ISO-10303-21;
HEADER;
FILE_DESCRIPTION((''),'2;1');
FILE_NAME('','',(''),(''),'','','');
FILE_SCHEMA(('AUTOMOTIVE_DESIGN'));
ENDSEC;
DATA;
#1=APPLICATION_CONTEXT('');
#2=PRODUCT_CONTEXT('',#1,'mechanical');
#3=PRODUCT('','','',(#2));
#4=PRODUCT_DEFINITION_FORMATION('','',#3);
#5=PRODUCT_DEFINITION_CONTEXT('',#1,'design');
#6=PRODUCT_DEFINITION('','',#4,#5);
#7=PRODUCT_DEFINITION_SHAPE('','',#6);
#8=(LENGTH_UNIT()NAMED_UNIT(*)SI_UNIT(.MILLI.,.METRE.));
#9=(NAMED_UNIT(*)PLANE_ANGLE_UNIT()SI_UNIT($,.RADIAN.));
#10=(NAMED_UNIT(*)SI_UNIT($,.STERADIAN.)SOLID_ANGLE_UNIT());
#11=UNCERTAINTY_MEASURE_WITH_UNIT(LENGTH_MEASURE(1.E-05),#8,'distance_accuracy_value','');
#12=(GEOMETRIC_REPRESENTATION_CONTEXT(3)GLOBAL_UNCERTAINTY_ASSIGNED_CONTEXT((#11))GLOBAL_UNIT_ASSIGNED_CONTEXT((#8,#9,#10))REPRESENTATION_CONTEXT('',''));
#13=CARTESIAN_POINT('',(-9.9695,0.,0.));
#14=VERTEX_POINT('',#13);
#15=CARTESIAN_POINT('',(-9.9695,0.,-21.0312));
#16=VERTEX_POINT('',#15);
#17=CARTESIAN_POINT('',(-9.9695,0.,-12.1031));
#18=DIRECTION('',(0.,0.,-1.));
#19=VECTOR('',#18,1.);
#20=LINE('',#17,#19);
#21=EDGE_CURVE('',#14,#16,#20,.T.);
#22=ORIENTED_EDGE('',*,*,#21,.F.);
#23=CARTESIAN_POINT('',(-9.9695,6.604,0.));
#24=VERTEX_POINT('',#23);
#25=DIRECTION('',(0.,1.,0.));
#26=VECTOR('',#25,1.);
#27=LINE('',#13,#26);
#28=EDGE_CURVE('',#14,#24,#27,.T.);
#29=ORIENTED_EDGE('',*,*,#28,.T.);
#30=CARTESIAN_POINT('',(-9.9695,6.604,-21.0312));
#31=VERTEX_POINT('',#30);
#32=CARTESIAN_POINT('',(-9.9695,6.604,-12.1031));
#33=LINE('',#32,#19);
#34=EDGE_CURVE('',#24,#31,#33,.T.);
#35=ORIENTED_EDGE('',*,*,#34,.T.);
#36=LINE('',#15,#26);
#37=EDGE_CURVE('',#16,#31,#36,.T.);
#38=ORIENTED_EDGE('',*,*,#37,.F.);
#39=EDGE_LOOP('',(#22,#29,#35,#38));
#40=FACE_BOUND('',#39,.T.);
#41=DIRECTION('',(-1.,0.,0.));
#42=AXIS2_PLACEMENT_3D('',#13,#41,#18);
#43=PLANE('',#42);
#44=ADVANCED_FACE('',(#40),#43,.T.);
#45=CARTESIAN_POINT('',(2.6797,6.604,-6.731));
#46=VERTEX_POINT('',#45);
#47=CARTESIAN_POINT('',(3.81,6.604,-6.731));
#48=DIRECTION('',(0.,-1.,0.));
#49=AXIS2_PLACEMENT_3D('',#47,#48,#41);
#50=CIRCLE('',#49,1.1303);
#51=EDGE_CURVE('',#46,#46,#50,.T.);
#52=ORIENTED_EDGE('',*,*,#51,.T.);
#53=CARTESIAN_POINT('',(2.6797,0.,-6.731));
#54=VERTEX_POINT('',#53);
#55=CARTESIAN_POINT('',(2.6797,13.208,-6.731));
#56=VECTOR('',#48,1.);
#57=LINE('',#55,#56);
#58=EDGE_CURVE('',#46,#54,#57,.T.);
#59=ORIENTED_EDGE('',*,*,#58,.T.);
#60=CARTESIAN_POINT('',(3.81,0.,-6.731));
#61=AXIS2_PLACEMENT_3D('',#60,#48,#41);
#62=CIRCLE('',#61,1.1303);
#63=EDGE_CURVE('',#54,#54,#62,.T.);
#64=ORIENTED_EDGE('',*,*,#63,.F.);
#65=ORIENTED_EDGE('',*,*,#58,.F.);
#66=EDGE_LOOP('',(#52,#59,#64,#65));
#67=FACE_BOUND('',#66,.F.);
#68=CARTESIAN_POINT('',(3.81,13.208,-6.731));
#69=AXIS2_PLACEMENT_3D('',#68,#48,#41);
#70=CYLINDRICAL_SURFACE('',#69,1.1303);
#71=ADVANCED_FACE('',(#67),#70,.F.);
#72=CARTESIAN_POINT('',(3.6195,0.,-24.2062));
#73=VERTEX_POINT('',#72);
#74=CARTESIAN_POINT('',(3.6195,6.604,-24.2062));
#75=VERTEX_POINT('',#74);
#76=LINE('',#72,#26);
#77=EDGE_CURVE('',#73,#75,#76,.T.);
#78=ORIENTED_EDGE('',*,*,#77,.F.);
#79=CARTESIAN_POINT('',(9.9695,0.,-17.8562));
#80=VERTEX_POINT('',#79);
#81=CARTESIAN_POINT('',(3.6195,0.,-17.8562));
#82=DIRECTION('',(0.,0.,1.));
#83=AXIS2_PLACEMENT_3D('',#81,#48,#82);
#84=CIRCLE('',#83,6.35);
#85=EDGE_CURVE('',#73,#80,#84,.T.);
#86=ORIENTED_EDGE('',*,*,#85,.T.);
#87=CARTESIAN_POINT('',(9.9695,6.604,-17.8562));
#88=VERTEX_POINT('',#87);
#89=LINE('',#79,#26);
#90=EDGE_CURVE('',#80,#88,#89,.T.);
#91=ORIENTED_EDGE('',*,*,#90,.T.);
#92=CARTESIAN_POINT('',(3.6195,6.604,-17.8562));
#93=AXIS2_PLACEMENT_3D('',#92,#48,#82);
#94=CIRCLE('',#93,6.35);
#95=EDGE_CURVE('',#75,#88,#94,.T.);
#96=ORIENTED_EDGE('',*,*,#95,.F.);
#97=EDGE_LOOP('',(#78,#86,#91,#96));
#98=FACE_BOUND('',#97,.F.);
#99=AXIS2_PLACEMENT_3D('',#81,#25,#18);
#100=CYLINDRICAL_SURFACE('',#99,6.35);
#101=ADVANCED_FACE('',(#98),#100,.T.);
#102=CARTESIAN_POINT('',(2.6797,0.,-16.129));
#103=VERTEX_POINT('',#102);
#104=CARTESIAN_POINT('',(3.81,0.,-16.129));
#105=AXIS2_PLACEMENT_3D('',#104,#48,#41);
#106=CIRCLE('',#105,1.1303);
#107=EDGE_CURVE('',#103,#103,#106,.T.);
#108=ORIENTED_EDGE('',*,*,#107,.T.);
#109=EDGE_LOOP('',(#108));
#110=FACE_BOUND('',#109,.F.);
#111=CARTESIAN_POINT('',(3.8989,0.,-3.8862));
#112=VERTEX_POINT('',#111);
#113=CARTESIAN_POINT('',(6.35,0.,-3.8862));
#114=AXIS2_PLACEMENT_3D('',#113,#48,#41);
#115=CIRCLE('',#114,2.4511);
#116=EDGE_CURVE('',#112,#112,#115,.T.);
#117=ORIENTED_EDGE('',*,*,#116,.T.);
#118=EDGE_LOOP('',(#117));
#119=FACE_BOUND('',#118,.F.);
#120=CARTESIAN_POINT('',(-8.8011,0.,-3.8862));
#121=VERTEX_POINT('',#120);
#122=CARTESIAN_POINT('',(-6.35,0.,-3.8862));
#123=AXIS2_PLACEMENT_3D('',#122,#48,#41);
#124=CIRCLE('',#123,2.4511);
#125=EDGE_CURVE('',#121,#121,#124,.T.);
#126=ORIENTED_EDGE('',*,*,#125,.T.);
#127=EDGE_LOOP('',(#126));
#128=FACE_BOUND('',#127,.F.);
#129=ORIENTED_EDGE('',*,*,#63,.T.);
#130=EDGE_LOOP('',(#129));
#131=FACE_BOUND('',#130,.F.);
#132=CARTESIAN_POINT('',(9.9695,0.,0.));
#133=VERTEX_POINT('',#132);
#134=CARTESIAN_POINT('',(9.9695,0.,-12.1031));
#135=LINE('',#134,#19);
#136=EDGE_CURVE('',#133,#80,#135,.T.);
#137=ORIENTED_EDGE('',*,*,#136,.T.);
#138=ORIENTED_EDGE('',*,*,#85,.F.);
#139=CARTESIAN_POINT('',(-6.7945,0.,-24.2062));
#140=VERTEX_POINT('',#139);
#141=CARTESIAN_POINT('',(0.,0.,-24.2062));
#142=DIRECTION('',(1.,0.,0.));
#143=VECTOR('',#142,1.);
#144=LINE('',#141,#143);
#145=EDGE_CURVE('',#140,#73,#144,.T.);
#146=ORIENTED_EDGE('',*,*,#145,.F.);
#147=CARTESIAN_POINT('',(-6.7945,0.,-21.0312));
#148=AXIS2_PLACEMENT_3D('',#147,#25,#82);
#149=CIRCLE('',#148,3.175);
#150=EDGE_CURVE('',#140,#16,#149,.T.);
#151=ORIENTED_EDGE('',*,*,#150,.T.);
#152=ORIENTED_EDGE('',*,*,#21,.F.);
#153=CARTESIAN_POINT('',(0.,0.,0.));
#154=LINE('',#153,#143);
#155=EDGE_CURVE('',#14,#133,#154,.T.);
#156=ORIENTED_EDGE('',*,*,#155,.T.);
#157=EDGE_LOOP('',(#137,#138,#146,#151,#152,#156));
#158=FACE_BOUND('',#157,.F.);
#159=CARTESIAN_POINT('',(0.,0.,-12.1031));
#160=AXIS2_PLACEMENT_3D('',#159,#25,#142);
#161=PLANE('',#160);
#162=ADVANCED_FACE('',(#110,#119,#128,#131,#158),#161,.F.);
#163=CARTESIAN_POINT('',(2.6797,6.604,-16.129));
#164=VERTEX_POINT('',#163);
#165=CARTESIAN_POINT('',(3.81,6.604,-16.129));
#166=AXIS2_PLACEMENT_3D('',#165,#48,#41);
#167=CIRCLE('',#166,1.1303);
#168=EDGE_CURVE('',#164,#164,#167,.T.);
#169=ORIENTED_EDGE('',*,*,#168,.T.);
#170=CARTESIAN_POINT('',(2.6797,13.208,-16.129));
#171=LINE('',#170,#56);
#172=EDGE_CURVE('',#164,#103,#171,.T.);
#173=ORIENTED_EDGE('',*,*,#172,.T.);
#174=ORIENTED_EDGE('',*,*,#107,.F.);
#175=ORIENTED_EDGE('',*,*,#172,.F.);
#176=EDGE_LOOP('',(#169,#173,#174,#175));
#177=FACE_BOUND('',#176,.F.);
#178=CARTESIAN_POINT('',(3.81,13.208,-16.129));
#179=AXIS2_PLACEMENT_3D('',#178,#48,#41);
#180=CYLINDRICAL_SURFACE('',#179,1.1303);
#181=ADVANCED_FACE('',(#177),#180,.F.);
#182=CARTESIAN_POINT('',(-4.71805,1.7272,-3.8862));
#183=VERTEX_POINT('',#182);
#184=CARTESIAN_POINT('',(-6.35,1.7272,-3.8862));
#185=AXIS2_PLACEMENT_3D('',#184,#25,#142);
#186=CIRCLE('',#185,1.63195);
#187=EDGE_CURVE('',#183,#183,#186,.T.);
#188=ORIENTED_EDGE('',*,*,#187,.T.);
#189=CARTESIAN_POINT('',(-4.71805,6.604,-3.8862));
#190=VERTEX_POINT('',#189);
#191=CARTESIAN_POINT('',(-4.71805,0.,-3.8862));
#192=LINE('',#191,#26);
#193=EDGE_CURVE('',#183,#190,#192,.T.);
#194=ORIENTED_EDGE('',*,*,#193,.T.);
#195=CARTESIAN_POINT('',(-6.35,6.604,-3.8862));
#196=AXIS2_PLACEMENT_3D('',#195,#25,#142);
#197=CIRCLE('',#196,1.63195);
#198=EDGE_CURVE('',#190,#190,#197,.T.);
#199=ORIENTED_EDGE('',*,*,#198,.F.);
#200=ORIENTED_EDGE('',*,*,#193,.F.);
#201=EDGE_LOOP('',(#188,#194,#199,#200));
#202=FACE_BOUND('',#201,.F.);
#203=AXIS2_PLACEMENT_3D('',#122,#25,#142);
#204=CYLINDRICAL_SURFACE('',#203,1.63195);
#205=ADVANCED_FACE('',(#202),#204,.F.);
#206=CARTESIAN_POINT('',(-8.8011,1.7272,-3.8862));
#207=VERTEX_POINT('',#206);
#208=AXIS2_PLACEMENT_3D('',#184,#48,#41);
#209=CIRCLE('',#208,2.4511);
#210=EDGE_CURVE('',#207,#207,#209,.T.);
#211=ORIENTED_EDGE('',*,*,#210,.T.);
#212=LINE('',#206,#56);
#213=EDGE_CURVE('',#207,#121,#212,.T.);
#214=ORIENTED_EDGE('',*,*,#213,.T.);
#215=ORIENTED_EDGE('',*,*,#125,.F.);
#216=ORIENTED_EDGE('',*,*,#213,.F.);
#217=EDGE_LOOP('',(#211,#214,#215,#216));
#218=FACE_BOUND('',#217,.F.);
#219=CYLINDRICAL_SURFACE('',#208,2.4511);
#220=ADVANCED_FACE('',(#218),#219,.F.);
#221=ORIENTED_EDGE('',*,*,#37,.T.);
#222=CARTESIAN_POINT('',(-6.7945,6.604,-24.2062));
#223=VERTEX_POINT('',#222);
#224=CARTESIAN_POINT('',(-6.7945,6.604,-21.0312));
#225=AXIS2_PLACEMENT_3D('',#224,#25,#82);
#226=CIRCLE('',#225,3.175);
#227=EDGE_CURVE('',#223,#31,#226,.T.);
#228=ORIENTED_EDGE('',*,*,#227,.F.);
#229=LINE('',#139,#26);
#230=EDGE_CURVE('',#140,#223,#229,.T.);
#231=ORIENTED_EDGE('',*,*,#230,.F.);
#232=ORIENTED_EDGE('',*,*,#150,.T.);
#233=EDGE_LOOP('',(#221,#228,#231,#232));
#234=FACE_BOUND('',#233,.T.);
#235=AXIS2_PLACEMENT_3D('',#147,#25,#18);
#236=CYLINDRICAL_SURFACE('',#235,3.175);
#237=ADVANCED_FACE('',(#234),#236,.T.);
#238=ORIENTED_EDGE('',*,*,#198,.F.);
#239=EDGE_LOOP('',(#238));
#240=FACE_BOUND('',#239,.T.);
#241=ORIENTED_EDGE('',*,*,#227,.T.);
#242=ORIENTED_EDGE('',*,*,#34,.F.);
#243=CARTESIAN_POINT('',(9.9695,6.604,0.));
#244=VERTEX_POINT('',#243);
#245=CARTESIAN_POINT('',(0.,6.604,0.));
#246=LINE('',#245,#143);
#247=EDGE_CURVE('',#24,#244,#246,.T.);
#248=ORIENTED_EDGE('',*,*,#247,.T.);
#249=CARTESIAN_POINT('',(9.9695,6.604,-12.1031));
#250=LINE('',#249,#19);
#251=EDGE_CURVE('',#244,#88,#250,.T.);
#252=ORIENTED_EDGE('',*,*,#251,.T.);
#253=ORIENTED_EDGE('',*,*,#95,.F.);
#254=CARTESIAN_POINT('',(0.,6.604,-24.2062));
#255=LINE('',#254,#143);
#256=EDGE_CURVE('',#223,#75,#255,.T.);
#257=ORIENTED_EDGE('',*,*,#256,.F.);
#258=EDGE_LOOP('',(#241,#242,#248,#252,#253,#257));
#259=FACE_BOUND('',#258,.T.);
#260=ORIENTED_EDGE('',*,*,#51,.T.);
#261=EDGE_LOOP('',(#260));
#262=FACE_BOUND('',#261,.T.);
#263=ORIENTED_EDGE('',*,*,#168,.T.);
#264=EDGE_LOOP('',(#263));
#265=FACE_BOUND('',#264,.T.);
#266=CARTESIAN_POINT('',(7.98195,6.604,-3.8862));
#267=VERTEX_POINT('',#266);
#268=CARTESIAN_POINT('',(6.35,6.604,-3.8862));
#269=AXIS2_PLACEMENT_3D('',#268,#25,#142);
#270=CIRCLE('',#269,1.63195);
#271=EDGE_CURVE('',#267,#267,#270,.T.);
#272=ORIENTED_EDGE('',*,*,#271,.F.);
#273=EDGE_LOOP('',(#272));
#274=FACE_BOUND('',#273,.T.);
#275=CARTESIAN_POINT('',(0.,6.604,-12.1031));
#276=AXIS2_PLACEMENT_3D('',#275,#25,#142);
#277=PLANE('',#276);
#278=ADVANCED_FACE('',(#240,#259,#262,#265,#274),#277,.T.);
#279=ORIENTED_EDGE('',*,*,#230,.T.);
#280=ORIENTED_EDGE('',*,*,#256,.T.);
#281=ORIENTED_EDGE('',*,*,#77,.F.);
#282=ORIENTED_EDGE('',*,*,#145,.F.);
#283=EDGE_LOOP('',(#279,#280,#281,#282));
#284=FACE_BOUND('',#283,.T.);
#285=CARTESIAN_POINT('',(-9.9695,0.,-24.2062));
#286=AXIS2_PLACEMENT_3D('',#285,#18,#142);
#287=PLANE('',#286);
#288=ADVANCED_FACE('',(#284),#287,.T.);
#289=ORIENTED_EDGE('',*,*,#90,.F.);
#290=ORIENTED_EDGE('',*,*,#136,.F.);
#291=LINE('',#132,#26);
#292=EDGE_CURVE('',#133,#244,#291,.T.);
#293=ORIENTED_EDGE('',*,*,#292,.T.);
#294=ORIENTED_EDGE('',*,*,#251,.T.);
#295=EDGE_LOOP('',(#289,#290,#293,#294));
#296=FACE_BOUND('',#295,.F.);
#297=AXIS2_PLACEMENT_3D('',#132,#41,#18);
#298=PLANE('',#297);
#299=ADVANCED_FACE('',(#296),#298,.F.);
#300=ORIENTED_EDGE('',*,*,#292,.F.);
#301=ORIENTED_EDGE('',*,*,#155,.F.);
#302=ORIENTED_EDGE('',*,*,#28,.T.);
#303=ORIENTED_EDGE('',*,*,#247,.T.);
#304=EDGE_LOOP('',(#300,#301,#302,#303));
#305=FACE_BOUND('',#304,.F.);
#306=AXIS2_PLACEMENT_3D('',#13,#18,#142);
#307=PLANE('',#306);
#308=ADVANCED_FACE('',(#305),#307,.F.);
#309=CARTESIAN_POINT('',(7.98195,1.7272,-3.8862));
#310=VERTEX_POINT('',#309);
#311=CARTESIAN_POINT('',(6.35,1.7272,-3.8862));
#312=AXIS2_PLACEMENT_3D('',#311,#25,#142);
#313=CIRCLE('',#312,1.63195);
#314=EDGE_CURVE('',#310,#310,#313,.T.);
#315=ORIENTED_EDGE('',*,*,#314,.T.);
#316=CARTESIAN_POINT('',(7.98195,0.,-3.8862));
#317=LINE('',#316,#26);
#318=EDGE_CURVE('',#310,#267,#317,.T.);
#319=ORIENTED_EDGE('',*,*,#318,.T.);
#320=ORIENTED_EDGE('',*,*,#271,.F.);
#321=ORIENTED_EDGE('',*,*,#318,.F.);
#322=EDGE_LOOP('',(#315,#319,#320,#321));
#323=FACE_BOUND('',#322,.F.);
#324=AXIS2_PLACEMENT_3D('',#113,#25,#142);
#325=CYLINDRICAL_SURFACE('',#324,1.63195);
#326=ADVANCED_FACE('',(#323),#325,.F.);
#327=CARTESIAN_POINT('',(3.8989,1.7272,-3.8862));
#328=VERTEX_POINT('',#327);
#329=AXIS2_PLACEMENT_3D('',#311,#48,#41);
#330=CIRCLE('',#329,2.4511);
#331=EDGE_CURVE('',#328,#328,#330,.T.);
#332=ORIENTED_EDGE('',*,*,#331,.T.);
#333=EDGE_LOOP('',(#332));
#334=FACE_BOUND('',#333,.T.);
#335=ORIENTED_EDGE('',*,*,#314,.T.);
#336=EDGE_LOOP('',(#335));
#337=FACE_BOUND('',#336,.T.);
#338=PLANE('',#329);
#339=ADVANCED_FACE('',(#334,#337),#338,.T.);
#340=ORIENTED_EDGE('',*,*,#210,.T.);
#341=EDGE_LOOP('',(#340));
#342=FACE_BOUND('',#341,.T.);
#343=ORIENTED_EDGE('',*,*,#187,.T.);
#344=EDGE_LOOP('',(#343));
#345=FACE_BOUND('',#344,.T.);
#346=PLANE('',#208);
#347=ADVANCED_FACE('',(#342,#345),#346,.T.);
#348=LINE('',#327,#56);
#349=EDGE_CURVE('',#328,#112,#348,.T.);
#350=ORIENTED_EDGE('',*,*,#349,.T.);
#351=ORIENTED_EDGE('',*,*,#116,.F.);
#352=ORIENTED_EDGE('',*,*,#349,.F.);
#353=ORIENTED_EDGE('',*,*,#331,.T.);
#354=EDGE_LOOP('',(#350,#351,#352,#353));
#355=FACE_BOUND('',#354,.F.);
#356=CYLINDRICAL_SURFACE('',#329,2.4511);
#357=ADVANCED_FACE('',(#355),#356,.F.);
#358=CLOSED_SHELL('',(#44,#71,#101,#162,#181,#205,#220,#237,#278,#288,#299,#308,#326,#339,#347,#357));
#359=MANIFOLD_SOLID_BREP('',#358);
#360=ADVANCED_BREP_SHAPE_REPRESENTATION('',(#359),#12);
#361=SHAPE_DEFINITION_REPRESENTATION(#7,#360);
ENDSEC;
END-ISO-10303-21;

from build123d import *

# Parameters (mm, degrees)
SKETCH1_W                                           = 19.939
SKETCH1_H                                           = 24.2062
BOSS_EXTRUDE1_DEPTH                                 = 6.604
F_4_40_TAPPED_HOLE1_D                               = 2.2606
F_4_40_TAPPED_HOLE1_DEPTH                           = 6.604
CBORE_FOR_4_BINDING_HEAD_MACHINE_SCREW3_D           = 3.2639
CBORE_FOR_4_BINDING_HEAD_MACHINE_SCREW3_CBORE_D     = 4.9022
CBORE_FOR_4_BINDING_HEAD_MACHINE_SCREW3_CBORE_DEPTH = 1.7272
FILLET1_R                                           = 6.35
FILLET2_R                                           = 3.175


with BuildPart() as part:
    # Sketch1 → Boss-Extrude1 (new body)
    with BuildSketch(Plane(origin=(0, 0, 0), x_dir=(1, 0, 0), z_dir=(0, 1, 0))):
        with Locations((0, 12.1031)):
            Rectangle(SKETCH1_W, SKETCH1_H)
    extrude(amount=BOSS_EXTRUDE1_DEPTH)

    # #4-40 Tapped Hole1
    with Locations(Plane(origin=(0, 6.604, 0), x_dir=(1, 0, 0), z_dir=(0, 1, 0))):
        with Locations((3.81, 16.129), (3.81, 6.731)):
            Hole(F_4_40_TAPPED_HOLE1_D / 2, depth=F_4_40_TAPPED_HOLE1_DEPTH)

    # CBORE for #4 Binding Head Machine Screw3 (through all)
    with Locations(Plane(origin=(0, 0, 0), x_dir=(-1, 0, 0), z_dir=(0, -1, 0))):
        with Locations((6.35, 3.8862), (-6.35, 3.8862)):
            CounterBoreHole(CBORE_FOR_4_BINDING_HEAD_MACHINE_SCREW3_D / 2, CBORE_FOR_4_BINDING_HEAD_MACHINE_SCREW3_CBORE_D / 2, CBORE_FOR_4_BINDING_HEAD_MACHINE_SCREW3_CBORE_DEPTH)

    # Fillet1
    fillet1_edges = [part.edges().sort_by_distance(p)[0] for p in [
        (9.9695, 3.302, -24.2062),
    ]]
    fillet(fillet1_edges, radius=FILLET1_R)

    # Fillet2
    fillet2_edges = [part.edges().sort_by_distance(p)[0] for p in [
        (-9.9695, 3.302, -24.2062),
    ]]
    fillet(fillet2_edges, radius=FILLET2_R)


solid = part.part
